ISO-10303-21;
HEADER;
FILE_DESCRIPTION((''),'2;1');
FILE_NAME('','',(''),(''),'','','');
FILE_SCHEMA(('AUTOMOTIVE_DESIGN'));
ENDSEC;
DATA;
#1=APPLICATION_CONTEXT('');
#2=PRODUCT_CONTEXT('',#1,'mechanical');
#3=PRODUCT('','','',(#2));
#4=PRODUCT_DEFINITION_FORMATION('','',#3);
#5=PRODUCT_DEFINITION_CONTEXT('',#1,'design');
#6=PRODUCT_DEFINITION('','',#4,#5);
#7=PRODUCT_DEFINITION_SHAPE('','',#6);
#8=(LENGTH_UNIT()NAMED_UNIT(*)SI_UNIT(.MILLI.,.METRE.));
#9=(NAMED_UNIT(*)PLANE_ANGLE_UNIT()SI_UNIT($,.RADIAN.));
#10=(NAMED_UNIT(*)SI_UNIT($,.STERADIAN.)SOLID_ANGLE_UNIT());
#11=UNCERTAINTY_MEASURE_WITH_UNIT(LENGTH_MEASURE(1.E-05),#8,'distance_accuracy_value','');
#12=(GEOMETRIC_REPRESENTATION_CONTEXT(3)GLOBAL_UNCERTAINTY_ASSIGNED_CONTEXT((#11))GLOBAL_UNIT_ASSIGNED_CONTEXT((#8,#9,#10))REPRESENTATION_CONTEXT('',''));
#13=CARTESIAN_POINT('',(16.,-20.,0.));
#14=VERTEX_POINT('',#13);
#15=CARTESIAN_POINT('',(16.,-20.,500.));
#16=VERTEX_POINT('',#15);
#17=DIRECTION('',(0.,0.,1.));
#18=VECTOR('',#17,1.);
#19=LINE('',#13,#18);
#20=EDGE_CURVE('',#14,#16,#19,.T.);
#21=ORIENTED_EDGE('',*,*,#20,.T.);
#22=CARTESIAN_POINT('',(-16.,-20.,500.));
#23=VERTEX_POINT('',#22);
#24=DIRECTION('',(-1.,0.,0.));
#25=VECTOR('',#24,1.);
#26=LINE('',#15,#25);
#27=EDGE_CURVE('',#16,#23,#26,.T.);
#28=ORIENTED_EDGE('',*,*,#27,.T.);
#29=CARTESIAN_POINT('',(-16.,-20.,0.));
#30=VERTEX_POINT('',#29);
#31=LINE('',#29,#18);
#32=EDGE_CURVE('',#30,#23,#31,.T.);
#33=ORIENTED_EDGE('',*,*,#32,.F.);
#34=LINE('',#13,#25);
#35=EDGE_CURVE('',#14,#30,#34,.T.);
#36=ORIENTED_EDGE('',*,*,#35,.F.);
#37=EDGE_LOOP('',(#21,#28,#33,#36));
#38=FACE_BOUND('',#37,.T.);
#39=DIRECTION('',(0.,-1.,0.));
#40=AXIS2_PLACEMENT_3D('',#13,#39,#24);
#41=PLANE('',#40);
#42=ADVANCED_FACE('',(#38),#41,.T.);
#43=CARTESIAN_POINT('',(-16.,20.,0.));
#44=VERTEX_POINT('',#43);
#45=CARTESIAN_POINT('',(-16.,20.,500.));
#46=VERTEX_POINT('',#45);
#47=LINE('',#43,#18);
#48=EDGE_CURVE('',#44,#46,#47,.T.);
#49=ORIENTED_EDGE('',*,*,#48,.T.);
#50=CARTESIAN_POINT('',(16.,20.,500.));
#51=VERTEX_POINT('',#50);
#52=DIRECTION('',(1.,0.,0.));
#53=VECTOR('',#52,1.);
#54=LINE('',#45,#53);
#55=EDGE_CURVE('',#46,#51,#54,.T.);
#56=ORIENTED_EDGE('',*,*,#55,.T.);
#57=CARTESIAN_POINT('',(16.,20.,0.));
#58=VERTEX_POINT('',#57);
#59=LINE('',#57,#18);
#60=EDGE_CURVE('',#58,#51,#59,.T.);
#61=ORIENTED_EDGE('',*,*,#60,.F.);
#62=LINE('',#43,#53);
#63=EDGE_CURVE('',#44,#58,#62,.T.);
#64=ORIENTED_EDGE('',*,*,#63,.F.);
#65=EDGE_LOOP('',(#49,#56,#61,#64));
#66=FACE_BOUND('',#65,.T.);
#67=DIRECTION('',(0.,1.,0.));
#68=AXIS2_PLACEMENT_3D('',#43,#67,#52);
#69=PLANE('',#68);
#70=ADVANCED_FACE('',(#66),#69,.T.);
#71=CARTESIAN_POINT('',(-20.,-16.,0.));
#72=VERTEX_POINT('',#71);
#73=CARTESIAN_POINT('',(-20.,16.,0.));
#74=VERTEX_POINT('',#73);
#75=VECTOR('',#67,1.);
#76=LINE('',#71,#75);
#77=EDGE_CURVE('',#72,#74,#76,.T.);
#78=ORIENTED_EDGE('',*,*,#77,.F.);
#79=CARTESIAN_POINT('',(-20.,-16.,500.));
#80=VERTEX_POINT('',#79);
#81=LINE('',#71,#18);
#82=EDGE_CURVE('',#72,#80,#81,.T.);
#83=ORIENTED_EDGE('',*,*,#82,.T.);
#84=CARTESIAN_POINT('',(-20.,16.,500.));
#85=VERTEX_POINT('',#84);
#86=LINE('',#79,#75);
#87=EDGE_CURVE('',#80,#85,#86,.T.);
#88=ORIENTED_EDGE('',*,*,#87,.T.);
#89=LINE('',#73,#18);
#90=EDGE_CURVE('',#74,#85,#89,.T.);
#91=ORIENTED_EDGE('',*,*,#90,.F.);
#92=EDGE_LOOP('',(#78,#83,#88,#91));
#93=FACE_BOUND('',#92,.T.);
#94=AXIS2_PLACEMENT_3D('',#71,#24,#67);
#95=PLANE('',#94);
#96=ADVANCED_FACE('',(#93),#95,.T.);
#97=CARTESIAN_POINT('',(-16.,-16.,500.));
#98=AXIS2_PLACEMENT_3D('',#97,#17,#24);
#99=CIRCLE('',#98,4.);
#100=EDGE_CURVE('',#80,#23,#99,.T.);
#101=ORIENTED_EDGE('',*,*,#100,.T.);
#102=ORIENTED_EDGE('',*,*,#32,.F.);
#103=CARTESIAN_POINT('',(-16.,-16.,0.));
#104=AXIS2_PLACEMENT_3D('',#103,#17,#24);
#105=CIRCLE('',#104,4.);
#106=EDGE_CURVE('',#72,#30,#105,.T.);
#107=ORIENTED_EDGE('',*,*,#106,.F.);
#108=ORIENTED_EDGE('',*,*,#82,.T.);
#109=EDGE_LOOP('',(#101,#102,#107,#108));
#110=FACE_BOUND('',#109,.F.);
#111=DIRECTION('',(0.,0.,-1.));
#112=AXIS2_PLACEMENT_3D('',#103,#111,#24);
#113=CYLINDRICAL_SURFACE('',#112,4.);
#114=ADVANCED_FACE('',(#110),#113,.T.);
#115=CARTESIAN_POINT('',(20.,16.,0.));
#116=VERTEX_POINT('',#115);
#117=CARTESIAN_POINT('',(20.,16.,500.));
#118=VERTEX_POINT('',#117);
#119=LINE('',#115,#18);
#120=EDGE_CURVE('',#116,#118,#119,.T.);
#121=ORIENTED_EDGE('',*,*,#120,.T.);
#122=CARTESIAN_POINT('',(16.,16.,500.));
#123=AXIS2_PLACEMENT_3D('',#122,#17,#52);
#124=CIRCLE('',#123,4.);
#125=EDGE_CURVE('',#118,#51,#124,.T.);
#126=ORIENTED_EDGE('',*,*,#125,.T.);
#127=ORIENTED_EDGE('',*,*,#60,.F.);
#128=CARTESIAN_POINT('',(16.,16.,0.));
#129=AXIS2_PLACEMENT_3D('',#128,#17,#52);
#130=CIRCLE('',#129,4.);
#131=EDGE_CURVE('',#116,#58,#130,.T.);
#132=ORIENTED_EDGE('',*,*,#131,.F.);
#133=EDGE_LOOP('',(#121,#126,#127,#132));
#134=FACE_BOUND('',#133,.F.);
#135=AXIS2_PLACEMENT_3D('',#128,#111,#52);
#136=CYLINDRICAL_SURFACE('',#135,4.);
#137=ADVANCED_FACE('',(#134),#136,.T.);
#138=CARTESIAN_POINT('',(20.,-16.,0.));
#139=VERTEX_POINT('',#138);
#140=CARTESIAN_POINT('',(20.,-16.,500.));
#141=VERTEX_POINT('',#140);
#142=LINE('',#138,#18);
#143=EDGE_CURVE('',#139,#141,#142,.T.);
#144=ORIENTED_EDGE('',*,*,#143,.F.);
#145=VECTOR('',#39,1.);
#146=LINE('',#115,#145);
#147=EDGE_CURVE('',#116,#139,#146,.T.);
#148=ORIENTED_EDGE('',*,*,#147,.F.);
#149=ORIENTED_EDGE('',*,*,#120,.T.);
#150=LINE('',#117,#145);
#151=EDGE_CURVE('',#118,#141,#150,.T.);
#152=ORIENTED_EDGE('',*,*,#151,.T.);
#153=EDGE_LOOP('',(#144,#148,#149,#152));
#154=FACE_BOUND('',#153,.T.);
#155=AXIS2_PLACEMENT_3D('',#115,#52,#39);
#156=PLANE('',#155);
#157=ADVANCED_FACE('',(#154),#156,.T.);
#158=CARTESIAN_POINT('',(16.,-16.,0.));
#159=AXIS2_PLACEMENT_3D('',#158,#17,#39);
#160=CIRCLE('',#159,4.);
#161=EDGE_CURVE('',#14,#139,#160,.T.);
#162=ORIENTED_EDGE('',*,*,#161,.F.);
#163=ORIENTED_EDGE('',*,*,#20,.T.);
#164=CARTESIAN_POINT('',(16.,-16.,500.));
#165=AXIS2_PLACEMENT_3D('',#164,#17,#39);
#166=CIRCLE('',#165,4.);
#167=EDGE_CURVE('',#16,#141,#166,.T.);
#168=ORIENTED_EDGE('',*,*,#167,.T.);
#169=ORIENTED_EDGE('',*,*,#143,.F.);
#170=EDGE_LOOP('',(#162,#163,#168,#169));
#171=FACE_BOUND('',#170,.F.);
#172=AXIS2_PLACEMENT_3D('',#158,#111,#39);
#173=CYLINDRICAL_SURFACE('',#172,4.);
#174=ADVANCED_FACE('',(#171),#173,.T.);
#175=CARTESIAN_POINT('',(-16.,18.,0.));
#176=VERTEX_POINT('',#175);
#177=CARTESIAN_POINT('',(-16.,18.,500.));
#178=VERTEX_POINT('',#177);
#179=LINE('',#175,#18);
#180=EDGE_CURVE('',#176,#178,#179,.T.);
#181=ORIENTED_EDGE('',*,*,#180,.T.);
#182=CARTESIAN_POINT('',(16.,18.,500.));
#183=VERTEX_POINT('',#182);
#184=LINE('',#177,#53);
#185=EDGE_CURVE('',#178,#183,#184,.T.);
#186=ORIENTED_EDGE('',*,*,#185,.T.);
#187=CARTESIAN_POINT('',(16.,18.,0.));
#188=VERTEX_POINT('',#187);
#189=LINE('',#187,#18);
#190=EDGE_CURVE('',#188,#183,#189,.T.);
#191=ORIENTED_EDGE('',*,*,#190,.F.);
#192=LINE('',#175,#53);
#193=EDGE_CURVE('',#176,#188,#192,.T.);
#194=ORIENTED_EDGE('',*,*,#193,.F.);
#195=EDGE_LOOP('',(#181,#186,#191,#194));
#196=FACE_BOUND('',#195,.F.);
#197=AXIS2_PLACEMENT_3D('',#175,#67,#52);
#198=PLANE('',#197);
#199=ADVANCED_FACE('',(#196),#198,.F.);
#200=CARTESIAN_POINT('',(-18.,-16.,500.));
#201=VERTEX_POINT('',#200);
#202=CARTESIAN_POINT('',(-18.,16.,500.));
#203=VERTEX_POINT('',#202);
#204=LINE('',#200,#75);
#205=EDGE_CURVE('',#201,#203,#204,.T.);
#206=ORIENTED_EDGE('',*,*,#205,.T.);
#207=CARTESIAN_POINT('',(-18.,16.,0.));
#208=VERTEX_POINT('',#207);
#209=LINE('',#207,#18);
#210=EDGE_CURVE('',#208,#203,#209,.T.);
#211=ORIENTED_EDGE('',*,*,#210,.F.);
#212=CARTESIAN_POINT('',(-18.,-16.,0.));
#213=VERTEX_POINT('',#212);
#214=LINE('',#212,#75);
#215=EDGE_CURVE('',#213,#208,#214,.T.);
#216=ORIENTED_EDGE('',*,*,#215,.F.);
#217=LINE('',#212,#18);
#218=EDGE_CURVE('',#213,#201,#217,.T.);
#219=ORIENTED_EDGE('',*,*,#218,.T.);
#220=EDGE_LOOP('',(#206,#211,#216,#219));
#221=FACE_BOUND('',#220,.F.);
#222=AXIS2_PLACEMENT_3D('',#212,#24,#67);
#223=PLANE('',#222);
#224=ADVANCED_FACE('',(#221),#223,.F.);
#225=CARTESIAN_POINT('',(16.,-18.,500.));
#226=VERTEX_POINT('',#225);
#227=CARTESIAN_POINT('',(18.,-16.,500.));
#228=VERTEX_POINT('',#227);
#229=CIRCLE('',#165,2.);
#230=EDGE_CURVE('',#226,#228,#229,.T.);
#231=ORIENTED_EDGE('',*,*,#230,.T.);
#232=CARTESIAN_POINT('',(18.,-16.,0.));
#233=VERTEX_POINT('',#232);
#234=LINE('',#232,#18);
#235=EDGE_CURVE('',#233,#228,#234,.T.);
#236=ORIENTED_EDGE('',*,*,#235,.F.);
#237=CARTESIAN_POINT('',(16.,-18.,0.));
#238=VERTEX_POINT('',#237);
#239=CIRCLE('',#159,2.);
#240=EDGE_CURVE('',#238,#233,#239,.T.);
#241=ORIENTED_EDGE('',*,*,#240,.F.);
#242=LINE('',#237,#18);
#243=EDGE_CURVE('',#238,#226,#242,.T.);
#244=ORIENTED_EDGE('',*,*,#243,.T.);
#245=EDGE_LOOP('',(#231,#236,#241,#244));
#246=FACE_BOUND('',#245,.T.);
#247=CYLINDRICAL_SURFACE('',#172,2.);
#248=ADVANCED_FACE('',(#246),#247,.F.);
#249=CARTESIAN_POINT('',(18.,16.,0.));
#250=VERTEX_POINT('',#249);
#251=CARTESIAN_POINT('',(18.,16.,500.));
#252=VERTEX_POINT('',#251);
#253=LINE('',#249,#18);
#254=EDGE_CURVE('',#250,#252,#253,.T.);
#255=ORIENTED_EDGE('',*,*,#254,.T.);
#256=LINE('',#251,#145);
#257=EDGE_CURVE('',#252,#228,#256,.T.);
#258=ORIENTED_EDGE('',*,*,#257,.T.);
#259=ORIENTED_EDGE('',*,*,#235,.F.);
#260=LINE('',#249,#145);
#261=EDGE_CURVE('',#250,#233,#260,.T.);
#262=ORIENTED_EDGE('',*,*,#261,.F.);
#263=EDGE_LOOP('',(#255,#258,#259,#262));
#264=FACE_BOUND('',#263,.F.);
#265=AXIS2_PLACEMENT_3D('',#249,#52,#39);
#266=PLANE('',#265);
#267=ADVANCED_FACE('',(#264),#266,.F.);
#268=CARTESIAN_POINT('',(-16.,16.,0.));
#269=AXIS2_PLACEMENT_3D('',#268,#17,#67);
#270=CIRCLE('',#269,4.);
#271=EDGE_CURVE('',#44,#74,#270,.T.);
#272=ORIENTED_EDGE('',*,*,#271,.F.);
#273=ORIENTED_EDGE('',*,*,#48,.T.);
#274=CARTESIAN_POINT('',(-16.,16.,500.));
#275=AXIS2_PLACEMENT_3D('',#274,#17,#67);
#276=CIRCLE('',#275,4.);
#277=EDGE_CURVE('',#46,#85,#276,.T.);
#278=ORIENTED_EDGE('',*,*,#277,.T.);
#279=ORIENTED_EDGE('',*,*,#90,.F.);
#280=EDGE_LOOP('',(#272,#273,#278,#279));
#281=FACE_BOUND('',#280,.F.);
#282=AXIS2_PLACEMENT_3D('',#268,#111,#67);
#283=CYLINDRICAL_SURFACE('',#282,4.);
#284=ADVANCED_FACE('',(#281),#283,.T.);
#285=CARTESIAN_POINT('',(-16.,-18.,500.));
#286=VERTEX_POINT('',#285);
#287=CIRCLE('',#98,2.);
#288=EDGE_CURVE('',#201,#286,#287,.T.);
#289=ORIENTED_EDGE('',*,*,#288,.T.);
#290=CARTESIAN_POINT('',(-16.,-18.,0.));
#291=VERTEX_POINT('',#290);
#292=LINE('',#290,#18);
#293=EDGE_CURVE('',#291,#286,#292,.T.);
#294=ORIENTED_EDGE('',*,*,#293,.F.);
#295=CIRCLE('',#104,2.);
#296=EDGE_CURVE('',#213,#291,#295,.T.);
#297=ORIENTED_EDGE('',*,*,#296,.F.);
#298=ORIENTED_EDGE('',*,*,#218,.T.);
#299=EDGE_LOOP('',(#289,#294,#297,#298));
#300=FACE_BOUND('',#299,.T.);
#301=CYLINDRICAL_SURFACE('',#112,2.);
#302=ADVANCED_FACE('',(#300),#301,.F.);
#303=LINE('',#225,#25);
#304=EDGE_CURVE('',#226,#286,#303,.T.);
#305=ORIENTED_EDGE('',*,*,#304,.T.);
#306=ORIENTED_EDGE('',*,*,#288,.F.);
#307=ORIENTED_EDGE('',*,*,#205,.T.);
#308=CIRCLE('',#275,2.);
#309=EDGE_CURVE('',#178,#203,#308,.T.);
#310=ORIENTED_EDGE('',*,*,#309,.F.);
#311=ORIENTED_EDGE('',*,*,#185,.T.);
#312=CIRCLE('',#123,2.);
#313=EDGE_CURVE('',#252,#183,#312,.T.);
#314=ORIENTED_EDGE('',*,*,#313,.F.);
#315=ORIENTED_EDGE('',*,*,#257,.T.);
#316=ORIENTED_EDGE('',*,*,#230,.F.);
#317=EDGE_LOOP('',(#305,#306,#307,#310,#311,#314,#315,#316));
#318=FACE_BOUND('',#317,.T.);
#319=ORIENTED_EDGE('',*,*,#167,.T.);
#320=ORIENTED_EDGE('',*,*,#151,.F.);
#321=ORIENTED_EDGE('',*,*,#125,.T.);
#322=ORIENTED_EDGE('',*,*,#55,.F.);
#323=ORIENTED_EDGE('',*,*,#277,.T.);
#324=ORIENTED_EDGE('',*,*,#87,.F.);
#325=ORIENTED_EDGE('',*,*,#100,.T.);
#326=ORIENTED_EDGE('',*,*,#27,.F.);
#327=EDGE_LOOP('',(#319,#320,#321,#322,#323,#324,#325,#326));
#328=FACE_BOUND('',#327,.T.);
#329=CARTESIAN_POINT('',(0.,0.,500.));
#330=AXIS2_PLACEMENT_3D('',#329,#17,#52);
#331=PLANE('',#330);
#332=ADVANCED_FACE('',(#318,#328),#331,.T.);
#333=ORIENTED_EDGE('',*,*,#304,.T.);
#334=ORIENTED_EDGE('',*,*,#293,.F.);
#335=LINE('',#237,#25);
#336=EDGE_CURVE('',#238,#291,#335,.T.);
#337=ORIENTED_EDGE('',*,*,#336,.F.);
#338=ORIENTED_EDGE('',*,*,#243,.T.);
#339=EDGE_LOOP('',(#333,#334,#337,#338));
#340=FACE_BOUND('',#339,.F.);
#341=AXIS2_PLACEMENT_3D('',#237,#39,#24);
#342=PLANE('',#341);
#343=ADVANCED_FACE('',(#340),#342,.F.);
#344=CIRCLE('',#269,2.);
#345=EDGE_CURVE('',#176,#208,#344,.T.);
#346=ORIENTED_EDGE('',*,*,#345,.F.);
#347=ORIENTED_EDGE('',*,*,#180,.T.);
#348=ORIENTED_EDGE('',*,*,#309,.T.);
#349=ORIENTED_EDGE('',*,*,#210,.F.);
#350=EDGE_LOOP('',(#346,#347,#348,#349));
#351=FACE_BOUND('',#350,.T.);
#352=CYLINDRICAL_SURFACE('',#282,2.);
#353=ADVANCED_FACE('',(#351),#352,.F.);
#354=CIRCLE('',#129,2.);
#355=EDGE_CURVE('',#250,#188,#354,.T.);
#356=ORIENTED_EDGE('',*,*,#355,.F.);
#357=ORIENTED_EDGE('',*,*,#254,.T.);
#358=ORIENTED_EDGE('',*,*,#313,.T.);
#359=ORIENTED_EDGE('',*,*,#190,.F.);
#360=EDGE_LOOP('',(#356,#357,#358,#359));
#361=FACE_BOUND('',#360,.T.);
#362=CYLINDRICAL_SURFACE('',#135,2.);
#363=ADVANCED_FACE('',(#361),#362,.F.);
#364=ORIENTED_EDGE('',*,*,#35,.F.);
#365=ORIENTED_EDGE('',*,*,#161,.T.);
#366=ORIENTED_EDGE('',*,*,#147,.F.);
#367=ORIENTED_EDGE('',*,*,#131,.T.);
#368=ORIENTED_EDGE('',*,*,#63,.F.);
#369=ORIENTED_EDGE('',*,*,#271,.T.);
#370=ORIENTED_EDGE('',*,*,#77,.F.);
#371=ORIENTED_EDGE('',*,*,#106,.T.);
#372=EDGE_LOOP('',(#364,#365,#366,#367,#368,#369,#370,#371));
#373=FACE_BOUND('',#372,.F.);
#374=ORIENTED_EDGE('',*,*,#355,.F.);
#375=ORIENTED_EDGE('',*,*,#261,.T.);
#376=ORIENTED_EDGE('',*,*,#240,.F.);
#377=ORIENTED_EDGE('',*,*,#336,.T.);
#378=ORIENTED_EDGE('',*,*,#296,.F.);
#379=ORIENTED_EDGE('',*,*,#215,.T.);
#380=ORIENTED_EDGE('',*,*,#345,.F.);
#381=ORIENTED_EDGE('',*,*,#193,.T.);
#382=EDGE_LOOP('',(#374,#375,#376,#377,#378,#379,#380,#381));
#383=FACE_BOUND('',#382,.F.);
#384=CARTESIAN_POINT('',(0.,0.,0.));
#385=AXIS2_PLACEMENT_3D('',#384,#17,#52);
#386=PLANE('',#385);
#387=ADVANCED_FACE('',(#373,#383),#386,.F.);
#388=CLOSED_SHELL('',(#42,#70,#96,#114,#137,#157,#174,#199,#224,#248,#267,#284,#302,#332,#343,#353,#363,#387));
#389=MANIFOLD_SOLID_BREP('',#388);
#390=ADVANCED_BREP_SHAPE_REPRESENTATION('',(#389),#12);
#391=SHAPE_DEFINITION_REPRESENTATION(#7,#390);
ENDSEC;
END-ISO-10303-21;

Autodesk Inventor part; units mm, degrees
ref_plane "YZ Plane" through (0, 0, 0) normal (1, 0, 0) x (0, 1, 0)
ref_plane "Start plane" through (0, 0, 0) normal (0, 0, 1) x (1, 0, 0)
ref_plane "End plane" through (0, 0, 500) normal (0, 0, 1) x (1, 0, 0)
sketch "Sketch" plane through (0, 0, 0) normal (0, 0, 1) x (1, 0, 0)
  line L0 (-20, -16) -> (-20, 16)
  line L1 (-16, 20) -> (16, 20)
  line L2 (20, 16) -> (20, -16)
  line L3 (16, -20) -> (-16, -20)
  arc A0 (-20, -16) -> (-16, -20) centre (-16, -16) ccw
  arc A1 (20, 16) -> (16, 20) centre (16, 16) ccw
  arc A2 (-16, 20) -> (-20, 16) centre (-16, 16) ccw
  arc A3 (16, -20) -> (20, -16) centre (16, -16) ccw
  arc A4 (-16, 18) -> (-18, 16) centre (-16, 16) ccw
  line L4 (-16, 18) -> (16, 18)
  arc A5 (18, 16) -> (16, 18) centre (16, 16) ccw
  line L5 (18, 16) -> (18, -16)
  arc A6 (16, -18) -> (18, -16) centre (16, -16) ccw
  line L6 (16, -18) -> (-16, -18)
  arc A7 (-18, -16) -> (-16, -18) centre (-16, -16) ccw
  line L7 (-18, -16) -> (-18, 16)
  line L8 (0, 29.1598) -> (0, -29.1598) construction
  line L9 (-29.1598, 0) -> (29.1598, 0) construction
  dimension "d7" = 4
  dimension "d9" = 40
  dimension "d11" = 40
  dimension "d12" = 2
  dimension "d15" = 20
  dimension "d16" = 20
extrude "Body" add sketch "Sketch" along normal up to surface (500 mm away) from surface at 0
sketch "Sketch3" plane through (0, 0, 0) normal (0, 0, 1) x (1, 0, 0)
  line L0 (0, 0) -> (10, 0)
ref_plane "Work Plane3" through (0, 0, 0) normal (0, -1, 0) x (1, 0, 0)
sketch "Sketch4" plane through (0, 0, 0) normal (0, -1, 0) x (1, 0, 0)
  line L0 (-2, 0) -> (12, 0) projected
  line L1 (-2, 500) -> (12, 500) projected
  dimension "d18" = 500
equation "\"d7\" = G_IR"
equation "\"d9\" = G_W"
equation "\"d11\" = G_H"
equation "\"d12\" = G_T"
equation "\"d15\" = 0.5 * d9"
equation "\"d16\" = 0.5 * d11"
equation "\"d3\" = G_L"
equation "\"G_W\" = 40"
equation "\"G_H\" = 40"
equation "\"G_T\" = 2"
equation "\"G_IR\" = 4"
equation "\"G_L\" = d18"
equation "\"G_OFFSET_START\" = 0"
equation "\"G_OFFSET_END\" = 0"
properties part number "ISO 10799-2 - 40x40x2 - 500" material "Steel, Mild"
